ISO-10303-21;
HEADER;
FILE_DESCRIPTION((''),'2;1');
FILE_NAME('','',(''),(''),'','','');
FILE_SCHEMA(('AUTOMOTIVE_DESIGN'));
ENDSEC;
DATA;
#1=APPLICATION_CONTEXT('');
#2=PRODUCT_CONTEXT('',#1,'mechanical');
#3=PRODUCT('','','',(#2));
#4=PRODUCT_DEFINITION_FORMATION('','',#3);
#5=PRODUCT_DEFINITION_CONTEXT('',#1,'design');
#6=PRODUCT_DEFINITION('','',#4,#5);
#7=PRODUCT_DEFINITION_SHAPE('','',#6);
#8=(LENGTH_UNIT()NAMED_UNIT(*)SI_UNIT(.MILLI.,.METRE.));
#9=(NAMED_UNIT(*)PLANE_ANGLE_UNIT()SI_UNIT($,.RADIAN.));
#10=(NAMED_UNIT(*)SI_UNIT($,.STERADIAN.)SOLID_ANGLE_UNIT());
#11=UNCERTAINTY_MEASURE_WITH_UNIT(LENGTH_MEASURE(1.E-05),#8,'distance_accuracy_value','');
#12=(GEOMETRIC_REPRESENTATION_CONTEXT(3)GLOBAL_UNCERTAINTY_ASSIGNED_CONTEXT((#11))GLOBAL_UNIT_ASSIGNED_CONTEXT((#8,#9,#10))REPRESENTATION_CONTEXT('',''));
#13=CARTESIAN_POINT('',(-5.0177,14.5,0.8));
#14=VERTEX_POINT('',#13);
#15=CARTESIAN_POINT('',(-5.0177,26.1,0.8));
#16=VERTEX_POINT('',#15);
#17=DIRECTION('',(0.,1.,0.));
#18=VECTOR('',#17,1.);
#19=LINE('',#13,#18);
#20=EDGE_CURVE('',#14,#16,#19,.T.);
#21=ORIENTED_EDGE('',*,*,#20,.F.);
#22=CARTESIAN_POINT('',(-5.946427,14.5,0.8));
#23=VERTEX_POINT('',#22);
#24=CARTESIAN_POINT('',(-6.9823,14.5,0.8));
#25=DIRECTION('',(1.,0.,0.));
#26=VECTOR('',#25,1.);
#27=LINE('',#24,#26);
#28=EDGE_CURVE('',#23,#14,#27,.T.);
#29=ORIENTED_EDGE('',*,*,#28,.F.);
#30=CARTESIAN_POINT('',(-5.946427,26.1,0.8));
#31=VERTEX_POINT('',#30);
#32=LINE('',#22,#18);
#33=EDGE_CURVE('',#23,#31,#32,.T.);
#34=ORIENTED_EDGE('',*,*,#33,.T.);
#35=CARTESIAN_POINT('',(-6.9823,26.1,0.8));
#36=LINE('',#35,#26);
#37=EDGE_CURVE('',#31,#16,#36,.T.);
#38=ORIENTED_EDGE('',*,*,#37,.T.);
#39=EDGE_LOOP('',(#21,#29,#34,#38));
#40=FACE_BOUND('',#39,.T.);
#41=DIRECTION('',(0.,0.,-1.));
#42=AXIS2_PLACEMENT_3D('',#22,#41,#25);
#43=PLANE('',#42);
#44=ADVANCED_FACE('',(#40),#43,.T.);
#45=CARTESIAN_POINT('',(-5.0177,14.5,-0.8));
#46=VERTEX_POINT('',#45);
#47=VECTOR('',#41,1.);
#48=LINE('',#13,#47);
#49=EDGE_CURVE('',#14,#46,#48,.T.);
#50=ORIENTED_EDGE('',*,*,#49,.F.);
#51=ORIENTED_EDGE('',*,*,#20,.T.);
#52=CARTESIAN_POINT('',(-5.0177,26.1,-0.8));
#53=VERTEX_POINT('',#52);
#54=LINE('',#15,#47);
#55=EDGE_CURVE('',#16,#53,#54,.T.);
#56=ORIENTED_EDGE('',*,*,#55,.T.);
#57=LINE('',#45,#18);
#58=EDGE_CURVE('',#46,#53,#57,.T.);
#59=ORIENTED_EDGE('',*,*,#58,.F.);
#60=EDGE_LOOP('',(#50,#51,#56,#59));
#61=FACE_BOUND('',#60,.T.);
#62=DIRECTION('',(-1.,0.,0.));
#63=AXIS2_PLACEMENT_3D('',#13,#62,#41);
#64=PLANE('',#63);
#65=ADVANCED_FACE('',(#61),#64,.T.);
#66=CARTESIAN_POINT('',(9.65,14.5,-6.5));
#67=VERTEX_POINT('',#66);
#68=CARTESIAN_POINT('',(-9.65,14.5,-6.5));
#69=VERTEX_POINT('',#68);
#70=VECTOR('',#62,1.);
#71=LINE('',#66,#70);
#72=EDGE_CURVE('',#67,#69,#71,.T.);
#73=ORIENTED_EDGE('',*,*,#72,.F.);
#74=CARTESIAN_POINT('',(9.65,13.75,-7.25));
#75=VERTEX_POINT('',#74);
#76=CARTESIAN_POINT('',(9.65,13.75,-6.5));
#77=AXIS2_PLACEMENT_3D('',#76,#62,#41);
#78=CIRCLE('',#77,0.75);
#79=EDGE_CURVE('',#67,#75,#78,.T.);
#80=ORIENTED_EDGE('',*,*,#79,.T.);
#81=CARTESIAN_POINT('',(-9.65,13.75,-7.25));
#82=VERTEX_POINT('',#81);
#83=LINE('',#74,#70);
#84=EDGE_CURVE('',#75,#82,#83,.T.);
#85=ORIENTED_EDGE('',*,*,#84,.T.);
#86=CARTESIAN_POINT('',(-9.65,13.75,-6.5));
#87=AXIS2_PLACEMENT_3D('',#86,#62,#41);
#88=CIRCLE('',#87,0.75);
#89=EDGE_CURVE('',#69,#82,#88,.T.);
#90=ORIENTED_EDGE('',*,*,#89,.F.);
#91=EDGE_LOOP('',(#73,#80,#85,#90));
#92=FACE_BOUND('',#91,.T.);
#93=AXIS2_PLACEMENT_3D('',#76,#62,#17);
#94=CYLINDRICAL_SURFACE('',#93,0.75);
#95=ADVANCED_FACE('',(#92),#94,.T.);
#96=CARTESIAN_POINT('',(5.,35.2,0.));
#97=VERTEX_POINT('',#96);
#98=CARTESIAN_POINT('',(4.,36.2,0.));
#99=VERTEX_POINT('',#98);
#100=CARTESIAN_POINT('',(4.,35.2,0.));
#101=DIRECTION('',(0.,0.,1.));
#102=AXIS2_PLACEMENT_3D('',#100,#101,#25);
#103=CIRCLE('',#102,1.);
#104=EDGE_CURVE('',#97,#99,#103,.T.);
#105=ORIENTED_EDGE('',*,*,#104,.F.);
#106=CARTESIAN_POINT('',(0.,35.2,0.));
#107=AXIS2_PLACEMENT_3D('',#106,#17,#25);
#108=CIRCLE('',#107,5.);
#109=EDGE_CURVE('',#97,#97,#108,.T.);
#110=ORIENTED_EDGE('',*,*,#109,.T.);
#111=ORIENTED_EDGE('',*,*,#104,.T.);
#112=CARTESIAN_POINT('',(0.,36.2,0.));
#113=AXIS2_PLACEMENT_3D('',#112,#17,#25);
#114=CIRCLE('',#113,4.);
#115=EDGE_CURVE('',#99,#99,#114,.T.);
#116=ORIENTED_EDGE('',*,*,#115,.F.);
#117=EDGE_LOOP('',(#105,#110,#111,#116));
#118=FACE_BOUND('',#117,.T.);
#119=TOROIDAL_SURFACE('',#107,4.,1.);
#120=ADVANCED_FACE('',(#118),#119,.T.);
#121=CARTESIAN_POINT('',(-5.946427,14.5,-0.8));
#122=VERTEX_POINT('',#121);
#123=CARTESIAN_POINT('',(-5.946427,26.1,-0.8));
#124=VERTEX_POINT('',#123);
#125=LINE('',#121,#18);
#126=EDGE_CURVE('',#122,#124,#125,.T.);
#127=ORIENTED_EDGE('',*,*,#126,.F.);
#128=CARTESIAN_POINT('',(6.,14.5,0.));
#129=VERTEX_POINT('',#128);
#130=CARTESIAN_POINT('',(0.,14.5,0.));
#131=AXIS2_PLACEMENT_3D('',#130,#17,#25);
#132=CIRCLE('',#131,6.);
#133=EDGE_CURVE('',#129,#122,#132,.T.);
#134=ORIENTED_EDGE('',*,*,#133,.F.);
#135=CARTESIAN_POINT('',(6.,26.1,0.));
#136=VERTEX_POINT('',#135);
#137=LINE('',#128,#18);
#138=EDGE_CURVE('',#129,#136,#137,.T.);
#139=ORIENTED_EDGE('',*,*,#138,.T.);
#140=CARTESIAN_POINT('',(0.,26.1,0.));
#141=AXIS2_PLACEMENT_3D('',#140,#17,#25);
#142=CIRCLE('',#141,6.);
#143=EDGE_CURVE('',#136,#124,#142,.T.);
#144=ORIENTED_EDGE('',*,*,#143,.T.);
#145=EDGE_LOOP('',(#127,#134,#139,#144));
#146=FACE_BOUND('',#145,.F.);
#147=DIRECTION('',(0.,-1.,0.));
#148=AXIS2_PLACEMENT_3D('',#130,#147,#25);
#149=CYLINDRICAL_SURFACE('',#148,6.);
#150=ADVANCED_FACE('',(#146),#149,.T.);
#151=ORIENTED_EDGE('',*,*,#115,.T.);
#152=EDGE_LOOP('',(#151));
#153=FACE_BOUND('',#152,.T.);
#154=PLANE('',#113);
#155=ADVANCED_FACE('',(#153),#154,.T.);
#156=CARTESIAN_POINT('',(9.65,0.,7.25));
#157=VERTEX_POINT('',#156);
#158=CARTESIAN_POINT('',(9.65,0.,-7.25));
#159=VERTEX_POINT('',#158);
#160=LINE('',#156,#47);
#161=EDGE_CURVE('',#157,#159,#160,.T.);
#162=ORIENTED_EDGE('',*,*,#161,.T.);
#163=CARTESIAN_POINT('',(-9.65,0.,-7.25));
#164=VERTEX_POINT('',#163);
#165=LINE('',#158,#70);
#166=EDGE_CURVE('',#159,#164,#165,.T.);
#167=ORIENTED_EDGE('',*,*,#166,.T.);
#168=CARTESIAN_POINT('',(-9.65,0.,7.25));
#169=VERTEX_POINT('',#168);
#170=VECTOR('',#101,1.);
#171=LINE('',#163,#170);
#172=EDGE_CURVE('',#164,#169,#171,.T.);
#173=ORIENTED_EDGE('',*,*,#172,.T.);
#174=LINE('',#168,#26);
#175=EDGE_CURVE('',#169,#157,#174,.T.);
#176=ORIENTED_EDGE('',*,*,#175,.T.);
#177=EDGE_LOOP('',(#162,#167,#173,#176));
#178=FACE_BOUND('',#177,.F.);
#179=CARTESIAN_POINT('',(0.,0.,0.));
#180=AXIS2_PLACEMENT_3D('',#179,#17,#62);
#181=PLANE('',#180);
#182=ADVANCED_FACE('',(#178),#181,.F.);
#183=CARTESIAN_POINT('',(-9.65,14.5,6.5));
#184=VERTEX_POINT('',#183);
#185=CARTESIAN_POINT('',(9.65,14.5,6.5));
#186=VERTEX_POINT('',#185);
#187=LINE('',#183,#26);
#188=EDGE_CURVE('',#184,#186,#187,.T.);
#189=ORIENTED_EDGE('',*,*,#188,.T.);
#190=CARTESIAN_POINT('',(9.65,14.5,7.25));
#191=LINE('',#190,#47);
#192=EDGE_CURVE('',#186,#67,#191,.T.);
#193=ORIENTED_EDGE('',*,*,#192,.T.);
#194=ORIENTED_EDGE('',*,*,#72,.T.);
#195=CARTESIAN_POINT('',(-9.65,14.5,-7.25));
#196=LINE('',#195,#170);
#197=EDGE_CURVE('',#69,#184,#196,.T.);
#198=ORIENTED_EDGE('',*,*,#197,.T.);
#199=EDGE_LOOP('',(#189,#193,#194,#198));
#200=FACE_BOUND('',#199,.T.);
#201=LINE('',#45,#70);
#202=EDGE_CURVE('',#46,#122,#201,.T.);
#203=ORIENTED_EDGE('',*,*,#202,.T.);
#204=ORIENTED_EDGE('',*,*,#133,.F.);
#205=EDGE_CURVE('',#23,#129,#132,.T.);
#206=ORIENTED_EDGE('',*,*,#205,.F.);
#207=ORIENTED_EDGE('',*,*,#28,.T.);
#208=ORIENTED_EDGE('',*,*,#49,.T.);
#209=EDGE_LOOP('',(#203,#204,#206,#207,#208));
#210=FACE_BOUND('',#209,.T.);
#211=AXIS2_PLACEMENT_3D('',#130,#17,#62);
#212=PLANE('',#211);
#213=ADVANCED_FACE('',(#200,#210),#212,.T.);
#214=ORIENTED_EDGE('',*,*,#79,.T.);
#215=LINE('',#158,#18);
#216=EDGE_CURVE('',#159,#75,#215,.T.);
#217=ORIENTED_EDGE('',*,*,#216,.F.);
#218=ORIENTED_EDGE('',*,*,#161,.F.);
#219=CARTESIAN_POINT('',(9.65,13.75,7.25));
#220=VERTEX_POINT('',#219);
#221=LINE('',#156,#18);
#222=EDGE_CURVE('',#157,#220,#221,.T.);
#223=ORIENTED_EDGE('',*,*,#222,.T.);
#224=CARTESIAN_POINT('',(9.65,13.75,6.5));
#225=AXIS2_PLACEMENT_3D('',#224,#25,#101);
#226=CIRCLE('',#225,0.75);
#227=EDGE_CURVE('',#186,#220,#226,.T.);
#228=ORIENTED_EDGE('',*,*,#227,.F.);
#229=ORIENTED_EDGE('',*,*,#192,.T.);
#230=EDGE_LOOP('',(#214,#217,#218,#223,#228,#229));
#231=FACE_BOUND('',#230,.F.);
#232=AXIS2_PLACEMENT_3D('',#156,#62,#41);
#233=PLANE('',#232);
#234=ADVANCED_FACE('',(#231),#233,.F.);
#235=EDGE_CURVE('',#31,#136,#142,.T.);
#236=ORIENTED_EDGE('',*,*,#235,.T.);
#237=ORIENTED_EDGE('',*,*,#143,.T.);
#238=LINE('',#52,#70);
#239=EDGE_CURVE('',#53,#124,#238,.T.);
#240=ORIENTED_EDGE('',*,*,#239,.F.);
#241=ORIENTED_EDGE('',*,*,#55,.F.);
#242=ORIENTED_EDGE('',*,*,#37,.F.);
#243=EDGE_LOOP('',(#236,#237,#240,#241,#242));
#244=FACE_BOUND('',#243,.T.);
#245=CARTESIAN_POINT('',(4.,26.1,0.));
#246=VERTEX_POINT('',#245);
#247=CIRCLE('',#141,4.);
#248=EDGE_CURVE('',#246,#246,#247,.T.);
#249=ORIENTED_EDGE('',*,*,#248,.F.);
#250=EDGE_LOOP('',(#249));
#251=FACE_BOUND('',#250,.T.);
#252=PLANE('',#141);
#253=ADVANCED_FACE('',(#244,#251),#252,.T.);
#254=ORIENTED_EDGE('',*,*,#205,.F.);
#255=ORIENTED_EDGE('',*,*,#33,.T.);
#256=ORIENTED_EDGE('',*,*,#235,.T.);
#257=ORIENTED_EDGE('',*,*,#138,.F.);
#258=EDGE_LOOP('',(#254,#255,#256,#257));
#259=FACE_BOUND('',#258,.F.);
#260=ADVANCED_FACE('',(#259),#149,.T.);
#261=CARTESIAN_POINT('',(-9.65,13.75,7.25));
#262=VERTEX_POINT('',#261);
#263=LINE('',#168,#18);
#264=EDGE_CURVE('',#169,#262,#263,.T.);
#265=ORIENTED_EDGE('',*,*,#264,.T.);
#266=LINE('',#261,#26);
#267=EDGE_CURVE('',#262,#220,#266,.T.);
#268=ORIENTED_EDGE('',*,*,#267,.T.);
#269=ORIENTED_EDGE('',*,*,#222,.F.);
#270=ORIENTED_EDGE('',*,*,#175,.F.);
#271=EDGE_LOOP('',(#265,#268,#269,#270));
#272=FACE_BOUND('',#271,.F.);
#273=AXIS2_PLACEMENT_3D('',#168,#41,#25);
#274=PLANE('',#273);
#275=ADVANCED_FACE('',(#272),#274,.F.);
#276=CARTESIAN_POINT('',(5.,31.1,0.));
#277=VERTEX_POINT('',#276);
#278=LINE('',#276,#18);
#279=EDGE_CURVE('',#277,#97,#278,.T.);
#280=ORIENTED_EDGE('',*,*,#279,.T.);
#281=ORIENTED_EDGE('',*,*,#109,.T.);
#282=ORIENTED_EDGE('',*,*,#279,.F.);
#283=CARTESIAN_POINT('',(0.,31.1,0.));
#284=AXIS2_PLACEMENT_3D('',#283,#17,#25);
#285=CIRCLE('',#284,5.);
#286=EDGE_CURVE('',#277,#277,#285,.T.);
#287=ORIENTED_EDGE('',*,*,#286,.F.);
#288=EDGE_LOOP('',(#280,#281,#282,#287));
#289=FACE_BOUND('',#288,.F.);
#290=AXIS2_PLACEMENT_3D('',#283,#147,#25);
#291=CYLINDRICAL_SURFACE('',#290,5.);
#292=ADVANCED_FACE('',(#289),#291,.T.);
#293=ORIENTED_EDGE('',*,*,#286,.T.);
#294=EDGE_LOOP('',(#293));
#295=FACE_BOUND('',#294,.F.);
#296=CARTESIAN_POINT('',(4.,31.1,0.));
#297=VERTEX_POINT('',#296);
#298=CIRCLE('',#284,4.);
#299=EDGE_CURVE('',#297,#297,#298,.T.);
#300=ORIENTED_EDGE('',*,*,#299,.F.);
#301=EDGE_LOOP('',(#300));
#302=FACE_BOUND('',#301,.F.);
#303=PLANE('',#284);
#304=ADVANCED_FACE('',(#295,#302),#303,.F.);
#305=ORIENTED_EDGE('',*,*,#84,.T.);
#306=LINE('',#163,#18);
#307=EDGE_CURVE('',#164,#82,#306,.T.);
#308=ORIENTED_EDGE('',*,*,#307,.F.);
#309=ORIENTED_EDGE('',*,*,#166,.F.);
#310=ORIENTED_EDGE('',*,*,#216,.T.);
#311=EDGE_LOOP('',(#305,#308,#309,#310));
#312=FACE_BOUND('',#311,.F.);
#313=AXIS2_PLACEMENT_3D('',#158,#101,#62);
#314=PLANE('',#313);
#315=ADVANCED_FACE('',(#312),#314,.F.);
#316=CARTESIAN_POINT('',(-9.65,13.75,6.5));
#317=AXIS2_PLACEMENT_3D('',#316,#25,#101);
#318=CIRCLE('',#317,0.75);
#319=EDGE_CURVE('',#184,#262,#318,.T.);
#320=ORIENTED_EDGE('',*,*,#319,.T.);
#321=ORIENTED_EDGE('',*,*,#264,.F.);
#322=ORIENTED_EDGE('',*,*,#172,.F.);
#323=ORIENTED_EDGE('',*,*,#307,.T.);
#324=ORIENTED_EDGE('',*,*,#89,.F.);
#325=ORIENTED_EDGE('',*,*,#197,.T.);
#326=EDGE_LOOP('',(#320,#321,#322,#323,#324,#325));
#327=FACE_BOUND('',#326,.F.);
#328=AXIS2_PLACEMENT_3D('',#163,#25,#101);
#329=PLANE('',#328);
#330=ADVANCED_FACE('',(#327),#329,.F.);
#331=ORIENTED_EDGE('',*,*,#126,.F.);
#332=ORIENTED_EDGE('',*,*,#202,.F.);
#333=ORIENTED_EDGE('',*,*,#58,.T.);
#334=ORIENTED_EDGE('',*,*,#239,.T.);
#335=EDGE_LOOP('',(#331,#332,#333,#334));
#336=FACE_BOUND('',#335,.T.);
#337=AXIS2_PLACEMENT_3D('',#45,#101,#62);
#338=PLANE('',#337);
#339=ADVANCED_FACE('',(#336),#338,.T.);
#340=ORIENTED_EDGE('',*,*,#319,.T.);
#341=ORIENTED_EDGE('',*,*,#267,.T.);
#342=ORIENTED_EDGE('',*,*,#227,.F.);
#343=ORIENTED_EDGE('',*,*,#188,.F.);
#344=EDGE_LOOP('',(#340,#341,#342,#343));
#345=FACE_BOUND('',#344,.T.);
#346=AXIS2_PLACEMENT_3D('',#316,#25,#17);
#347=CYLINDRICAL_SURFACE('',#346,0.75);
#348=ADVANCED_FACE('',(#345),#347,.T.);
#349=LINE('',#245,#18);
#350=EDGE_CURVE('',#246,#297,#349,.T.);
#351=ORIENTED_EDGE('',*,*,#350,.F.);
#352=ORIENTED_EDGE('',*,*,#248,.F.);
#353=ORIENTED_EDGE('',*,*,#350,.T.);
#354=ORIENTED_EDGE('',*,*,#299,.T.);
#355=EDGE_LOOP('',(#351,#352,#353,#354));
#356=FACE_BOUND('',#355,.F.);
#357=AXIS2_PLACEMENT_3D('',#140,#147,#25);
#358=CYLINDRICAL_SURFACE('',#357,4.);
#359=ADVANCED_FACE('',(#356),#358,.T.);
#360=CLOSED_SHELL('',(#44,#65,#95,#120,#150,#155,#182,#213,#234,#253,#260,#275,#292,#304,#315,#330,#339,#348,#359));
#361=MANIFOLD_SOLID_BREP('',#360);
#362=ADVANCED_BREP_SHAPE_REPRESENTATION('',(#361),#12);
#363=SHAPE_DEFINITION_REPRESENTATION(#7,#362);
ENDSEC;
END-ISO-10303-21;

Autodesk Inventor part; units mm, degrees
ref_plane "YZ Plane" through (0, 0, 0) normal (1, 0, 0) x (0, 1, 0)
ref_plane "XZ Plane" through (0, 0, 0) normal (0, 1, 0) x (-1, 0, 0)
ref_plane "XY Plane" through (0, 0, 0) normal (0, 0, 1) x (1, 0, 0)
sketch "Sketch1" plane through (0, 0, 0) normal (0, 1, 0) x (-1, 0, 0)
  line L0 (9.65, 7.25) -> (-9.65, 7.25)
  line L1 (-9.65, 7.25) -> (-9.65, -7.25)
  line L2 (-9.65, -7.25) -> (9.65, -7.25)
  line L3 (9.65, -7.25) -> (9.65, 7.25)
  line L4 (9.65, 7.25) -> (-9.65, -7.25) construction
  line L5 (-9.65, 7.25) -> (9.65, -7.25) construction
  point P0 (0, 0)
  dimension "d0" = 19.3
  dimension "d1" = 14.5
extrude "Extrusion1" add sketch "Sketch1" along normal blind 14.5
sketch "Sketch2" plane through (0, 14.5, 0) normal (0, 1, 0) x (1, 0, 0)
  circle A0 centre (0, 0) radius 6
  line L0 (-6.9823, -0.8) -> (-5.0177, -0.8)
  line L1 (-5.0177, -0.8) -> (-5.0177, 0.8)
  line L2 (-5.0177, 0.8) -> (-6.9823, 0.8)
  line L3 (-6.9823, 0.8) -> (-6.9823, -0.8)
  line L4 (-6.9823, -0.8) -> (-5.0177, 0.8) construction
  line L5 (-5.0177, -0.8) -> (-6.9823, 0.8) construction
  point P0 (-6, 0)
  point P1 (5.9823, -0.4609)
  point P2 (-5.9464, -0.8)
  point P3 (-5.9464, 0.8)
  dimension "d4" = 12
  dimension "d5" = 1.6
  dimension "d6" = 11
extrude "Extrusion2" add sketch "Sketch2" along normal blind 11.6 contours A0 L0 L1 L2 picked at (-1.3451, 0)
sketch "Sketch3" plane through (0, 26.1, 0) normal (0, 1, 0) x (1, 0, 0)
  circle A0 centre (0, 0) radius 4
  dimension "d9" = 8
extrude "Extrusion3" add sketch "Sketch3" along normal blind 5
sketch "Sketch4" plane through (0, 31.1, 0) normal (0, 1, 0) x (1, 0, 0)
  circle A0 centre (0, 0) radius 5
  dimension "d12" = 10
extrude "Extrusion4" add sketch "Sketch4" along normal blind 5.1
fillet "Fillet1" radius 1 1 edges at (-5, 36.2, 0)
thread "Thread1" size "M12x0.75" class "6g" standard "ANSI Metric M Profile" full length
fillet "Fillet2" radius 0.75 2 edges at (0, 14.5, 7.25) (0, 14.5, -7.25)
properties part number "ar70736"
